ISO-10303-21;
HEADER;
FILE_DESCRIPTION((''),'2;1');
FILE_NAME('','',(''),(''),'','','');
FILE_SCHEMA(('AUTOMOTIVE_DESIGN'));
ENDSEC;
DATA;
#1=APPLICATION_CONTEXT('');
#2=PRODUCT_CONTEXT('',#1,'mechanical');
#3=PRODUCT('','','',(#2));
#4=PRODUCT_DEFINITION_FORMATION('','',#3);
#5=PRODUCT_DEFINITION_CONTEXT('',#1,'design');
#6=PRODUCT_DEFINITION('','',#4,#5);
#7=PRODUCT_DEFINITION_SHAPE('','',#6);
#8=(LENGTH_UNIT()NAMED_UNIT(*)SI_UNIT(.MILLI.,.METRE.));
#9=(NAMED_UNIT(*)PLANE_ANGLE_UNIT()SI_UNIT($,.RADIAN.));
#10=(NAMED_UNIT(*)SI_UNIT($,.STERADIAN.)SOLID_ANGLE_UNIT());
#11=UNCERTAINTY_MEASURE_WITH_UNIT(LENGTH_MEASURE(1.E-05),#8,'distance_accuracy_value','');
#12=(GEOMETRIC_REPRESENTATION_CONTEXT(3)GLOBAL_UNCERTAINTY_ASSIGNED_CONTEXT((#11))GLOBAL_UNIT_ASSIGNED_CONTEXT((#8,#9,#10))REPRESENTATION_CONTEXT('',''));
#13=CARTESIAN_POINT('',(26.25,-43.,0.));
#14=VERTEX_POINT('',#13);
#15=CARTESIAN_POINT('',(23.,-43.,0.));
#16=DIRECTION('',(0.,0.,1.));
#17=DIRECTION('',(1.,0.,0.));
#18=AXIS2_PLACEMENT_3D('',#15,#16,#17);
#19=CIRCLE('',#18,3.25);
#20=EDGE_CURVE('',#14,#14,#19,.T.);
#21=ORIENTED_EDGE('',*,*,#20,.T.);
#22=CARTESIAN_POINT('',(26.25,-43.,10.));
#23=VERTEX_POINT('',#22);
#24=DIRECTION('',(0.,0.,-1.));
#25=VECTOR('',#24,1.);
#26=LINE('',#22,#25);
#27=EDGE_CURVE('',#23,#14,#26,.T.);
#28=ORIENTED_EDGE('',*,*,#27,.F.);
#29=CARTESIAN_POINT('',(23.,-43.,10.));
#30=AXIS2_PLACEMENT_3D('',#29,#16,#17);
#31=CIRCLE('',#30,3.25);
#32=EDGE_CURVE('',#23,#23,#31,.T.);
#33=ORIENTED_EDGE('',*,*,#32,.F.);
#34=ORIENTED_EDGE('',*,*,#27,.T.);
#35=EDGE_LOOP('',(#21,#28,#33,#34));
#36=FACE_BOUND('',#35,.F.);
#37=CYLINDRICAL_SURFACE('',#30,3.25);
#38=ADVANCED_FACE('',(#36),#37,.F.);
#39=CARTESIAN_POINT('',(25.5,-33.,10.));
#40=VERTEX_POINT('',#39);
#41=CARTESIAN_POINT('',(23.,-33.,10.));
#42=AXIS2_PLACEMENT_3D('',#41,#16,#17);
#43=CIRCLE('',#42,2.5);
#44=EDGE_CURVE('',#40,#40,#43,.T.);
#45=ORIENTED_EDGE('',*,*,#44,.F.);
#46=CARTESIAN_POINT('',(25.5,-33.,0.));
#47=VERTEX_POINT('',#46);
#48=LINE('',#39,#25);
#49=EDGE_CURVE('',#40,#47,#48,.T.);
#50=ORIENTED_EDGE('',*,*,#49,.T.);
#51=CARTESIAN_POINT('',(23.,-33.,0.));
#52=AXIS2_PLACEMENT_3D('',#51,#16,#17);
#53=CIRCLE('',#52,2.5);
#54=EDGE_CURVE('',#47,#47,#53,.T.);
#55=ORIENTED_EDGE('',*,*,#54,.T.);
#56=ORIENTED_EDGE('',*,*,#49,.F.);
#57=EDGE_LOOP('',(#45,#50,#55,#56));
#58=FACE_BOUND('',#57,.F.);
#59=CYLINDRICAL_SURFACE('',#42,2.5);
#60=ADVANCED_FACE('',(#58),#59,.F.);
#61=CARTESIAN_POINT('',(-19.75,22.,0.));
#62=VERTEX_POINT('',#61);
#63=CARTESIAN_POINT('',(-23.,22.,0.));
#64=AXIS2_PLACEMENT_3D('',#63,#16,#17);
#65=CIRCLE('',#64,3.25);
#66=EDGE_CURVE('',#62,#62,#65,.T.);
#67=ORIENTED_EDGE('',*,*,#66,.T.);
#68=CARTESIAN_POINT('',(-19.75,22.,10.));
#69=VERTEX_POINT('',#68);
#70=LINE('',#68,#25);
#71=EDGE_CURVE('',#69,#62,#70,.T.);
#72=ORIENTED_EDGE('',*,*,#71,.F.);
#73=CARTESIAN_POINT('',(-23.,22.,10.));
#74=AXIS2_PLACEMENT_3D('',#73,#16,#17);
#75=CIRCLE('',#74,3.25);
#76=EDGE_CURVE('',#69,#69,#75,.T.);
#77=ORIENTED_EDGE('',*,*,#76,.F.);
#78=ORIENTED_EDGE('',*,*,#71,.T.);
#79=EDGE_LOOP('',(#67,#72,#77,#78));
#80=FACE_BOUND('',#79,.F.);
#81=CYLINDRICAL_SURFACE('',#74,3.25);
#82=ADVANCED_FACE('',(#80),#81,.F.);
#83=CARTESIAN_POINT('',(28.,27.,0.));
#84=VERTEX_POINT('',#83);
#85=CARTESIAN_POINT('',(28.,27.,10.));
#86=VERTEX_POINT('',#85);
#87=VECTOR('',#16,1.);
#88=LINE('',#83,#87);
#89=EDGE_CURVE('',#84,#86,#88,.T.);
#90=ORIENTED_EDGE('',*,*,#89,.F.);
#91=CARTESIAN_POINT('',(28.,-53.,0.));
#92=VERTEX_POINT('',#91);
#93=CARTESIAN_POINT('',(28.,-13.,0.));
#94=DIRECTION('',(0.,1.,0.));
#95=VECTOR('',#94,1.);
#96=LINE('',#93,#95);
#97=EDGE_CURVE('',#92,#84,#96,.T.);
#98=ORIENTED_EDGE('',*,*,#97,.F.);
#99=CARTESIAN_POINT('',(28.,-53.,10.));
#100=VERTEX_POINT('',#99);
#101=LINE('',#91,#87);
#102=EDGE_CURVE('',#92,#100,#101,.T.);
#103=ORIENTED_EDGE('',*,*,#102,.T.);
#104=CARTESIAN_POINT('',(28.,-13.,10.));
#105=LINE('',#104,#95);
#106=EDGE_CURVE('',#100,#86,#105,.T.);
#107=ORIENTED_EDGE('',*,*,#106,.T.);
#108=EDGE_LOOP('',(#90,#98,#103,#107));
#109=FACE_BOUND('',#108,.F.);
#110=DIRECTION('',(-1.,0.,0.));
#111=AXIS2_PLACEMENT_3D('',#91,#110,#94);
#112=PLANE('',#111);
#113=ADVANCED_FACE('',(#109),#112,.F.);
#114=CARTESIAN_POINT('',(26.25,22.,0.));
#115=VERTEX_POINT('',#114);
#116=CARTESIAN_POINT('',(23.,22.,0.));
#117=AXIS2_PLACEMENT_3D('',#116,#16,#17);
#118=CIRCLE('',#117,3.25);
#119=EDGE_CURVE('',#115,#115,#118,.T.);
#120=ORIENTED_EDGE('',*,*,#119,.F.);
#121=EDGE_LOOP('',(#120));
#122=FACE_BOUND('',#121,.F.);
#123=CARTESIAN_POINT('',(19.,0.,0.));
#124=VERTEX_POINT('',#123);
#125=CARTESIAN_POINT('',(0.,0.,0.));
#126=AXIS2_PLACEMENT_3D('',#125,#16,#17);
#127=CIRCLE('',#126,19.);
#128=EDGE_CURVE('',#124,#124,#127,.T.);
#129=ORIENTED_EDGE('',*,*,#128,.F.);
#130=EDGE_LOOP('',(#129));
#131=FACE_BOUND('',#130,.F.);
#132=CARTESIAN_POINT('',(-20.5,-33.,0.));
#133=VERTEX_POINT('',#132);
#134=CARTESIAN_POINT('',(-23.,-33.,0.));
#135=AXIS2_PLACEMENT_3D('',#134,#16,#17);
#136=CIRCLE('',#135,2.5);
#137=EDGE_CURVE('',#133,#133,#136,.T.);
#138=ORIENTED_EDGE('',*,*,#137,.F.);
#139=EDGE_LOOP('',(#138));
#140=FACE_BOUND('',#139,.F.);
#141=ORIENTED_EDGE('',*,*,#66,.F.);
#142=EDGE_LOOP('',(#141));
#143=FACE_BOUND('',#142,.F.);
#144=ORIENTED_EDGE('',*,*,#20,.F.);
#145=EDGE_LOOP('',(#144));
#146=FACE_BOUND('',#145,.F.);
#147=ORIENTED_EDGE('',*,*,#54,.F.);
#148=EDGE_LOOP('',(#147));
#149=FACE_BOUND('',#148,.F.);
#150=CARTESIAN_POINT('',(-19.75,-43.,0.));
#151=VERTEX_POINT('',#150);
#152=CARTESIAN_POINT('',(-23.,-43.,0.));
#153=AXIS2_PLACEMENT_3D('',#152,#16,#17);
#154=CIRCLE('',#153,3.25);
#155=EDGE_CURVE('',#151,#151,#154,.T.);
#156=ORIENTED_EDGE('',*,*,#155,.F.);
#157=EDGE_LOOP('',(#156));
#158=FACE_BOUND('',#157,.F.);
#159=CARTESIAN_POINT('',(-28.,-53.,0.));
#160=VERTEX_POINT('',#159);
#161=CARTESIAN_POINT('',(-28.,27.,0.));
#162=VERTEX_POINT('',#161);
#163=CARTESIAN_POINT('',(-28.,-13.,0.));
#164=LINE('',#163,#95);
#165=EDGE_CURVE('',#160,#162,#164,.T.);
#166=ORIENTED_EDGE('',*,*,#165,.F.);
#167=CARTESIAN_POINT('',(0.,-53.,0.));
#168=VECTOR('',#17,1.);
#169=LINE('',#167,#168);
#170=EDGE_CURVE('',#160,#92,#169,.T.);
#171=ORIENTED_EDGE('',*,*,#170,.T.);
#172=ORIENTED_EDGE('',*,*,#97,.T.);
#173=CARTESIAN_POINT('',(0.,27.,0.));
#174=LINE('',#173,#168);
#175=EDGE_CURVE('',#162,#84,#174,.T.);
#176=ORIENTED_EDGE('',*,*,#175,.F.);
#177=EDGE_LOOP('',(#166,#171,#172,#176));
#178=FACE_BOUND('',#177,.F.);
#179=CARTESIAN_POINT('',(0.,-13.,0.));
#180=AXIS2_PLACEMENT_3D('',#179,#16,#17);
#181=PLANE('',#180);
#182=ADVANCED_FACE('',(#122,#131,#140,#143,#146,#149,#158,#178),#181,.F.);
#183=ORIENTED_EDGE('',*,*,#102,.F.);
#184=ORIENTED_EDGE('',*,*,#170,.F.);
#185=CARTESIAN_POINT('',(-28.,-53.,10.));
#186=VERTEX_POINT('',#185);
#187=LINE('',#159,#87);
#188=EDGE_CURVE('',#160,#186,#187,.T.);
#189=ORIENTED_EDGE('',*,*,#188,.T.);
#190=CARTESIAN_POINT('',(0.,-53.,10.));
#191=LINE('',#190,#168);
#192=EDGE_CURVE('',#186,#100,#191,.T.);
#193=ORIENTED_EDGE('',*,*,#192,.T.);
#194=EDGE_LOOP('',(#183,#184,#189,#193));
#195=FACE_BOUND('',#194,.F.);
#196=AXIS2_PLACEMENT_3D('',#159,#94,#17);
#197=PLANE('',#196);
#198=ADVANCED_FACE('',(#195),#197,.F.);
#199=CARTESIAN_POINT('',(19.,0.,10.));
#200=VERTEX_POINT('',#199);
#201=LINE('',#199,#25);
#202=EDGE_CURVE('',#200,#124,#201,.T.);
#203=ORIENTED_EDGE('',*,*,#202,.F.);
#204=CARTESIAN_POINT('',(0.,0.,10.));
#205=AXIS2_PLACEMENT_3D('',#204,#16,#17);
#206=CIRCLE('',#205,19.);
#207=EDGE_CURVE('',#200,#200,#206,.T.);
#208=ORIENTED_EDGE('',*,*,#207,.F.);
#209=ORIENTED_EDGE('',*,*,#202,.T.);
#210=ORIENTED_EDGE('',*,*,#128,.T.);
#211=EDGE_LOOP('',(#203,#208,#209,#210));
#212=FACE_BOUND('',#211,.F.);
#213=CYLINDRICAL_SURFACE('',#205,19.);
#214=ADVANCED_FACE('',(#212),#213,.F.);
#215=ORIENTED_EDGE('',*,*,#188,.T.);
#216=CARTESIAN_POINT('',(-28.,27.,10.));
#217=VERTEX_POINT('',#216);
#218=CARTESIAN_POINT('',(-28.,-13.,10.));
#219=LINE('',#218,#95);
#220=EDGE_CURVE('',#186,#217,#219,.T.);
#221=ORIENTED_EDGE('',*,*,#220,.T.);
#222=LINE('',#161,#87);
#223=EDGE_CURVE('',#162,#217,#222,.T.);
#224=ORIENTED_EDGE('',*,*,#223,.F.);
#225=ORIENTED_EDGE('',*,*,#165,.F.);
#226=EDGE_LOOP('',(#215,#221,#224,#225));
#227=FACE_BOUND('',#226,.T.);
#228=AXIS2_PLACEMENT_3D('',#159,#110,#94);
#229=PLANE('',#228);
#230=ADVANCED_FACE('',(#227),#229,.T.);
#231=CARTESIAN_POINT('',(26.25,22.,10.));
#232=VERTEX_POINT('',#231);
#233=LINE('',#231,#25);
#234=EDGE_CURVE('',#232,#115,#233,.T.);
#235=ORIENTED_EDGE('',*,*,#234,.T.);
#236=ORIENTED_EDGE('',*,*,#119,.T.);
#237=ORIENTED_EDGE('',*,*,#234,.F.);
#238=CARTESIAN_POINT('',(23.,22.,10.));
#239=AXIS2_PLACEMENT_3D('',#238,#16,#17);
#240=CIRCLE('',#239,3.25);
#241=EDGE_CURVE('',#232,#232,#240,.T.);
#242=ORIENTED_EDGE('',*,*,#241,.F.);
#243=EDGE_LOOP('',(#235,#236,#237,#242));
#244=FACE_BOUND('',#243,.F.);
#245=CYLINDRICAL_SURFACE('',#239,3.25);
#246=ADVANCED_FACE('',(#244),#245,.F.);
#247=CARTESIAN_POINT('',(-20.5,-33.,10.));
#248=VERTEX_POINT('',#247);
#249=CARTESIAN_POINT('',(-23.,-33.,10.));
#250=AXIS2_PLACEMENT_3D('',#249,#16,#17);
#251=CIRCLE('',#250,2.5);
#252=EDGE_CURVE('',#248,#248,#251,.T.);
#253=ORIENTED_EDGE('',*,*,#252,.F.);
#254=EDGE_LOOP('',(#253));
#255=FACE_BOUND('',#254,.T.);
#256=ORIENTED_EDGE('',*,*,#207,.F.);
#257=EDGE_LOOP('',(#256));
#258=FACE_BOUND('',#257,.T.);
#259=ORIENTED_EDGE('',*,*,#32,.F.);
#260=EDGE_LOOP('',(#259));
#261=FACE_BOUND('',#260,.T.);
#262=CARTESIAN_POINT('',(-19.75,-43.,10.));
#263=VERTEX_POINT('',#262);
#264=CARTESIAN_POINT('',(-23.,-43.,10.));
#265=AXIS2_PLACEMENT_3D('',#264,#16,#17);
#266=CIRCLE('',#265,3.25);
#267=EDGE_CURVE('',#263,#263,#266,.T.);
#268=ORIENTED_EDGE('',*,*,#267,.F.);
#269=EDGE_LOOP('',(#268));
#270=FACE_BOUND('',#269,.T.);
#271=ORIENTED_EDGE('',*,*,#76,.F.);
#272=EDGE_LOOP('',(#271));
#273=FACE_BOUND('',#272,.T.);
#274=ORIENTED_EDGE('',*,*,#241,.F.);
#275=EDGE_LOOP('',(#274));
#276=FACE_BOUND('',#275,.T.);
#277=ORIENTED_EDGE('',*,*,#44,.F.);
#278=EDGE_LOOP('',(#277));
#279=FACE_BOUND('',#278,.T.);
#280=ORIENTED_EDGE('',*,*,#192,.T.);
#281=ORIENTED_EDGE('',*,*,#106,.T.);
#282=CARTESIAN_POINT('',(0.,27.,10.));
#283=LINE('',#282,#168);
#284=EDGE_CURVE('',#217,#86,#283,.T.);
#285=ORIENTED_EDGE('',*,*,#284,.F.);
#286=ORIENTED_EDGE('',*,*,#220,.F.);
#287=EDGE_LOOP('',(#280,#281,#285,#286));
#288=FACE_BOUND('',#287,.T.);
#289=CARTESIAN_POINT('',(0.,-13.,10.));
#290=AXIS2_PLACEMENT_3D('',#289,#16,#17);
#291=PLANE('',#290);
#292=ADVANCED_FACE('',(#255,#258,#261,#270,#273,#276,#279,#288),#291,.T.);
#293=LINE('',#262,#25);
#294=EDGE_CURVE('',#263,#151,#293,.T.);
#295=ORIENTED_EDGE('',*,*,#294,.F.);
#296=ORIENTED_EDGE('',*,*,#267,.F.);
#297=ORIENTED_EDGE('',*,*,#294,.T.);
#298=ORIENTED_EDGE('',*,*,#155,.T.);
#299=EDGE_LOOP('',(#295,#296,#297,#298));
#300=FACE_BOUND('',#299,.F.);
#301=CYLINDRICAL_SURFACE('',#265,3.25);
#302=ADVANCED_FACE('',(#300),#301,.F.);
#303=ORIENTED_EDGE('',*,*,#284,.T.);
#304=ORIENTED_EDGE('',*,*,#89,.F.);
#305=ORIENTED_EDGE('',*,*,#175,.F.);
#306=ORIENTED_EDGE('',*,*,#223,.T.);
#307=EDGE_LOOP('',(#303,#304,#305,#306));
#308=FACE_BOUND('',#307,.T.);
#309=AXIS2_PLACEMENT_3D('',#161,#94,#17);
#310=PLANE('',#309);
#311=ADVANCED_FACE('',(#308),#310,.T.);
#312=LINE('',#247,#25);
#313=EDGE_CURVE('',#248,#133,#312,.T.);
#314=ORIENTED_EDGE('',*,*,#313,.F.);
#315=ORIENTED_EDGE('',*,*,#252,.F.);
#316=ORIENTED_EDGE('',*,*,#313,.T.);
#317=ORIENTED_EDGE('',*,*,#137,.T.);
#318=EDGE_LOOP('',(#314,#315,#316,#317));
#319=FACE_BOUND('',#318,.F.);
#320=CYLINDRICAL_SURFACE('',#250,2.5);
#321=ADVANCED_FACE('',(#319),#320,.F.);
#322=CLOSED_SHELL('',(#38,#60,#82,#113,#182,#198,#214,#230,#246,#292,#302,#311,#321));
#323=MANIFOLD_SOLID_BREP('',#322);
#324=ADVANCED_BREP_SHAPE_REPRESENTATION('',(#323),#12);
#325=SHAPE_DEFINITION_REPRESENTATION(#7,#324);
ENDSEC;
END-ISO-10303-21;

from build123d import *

# Parameters (mm, degrees)
F0_W     = 56
F0_H     = 80
F1_DEPTH = 10
F2_R     = 19
F3_DEPTH = 10.001
F4_R     = 3.25
F5_DEPTH = 10.001
F6_R     = 2.5
F7_DEPTH = 10.001


with BuildPart() as f1:
    # F0 (on Top) → F1 (new body)
    with BuildSketch(Plane.XY):
        with Locations((0, -13)):
            Rectangle(F0_W, F0_H)
    extrude(amount=F1_DEPTH)

    # F2 (on face) → F3 (cut, through all)
    with BuildSketch(Plane.XY.offset(10)):
        Circle(F2_R)
    extrude(amount=-F3_DEPTH, mode=Mode.SUBTRACT)

    # F4 (on face) → F5 (cut, through all)
    with BuildSketch(Plane.XY.offset(10)):
        with Locations((-23, 22)):
            Circle(F4_R)
        with Locations((-23, -43)):
            Circle(F4_R)
        with Locations((23, 22)):
            Circle(F4_R)
        with Locations((23, -43)):
            Circle(F4_R)
    extrude(amount=-F5_DEPTH, mode=Mode.SUBTRACT)

    # F6 (on face) → F7 (cut, through all)
    with BuildSketch(Plane.XY.offset(10)):
        with Locations((-23, -33)):
            Circle(F6_R)
        with Locations((23, -33)):
            Circle(F6_R)
    extrude(amount=-F7_DEPTH, mode=Mode.SUBTRACT)


solid = f1.part
